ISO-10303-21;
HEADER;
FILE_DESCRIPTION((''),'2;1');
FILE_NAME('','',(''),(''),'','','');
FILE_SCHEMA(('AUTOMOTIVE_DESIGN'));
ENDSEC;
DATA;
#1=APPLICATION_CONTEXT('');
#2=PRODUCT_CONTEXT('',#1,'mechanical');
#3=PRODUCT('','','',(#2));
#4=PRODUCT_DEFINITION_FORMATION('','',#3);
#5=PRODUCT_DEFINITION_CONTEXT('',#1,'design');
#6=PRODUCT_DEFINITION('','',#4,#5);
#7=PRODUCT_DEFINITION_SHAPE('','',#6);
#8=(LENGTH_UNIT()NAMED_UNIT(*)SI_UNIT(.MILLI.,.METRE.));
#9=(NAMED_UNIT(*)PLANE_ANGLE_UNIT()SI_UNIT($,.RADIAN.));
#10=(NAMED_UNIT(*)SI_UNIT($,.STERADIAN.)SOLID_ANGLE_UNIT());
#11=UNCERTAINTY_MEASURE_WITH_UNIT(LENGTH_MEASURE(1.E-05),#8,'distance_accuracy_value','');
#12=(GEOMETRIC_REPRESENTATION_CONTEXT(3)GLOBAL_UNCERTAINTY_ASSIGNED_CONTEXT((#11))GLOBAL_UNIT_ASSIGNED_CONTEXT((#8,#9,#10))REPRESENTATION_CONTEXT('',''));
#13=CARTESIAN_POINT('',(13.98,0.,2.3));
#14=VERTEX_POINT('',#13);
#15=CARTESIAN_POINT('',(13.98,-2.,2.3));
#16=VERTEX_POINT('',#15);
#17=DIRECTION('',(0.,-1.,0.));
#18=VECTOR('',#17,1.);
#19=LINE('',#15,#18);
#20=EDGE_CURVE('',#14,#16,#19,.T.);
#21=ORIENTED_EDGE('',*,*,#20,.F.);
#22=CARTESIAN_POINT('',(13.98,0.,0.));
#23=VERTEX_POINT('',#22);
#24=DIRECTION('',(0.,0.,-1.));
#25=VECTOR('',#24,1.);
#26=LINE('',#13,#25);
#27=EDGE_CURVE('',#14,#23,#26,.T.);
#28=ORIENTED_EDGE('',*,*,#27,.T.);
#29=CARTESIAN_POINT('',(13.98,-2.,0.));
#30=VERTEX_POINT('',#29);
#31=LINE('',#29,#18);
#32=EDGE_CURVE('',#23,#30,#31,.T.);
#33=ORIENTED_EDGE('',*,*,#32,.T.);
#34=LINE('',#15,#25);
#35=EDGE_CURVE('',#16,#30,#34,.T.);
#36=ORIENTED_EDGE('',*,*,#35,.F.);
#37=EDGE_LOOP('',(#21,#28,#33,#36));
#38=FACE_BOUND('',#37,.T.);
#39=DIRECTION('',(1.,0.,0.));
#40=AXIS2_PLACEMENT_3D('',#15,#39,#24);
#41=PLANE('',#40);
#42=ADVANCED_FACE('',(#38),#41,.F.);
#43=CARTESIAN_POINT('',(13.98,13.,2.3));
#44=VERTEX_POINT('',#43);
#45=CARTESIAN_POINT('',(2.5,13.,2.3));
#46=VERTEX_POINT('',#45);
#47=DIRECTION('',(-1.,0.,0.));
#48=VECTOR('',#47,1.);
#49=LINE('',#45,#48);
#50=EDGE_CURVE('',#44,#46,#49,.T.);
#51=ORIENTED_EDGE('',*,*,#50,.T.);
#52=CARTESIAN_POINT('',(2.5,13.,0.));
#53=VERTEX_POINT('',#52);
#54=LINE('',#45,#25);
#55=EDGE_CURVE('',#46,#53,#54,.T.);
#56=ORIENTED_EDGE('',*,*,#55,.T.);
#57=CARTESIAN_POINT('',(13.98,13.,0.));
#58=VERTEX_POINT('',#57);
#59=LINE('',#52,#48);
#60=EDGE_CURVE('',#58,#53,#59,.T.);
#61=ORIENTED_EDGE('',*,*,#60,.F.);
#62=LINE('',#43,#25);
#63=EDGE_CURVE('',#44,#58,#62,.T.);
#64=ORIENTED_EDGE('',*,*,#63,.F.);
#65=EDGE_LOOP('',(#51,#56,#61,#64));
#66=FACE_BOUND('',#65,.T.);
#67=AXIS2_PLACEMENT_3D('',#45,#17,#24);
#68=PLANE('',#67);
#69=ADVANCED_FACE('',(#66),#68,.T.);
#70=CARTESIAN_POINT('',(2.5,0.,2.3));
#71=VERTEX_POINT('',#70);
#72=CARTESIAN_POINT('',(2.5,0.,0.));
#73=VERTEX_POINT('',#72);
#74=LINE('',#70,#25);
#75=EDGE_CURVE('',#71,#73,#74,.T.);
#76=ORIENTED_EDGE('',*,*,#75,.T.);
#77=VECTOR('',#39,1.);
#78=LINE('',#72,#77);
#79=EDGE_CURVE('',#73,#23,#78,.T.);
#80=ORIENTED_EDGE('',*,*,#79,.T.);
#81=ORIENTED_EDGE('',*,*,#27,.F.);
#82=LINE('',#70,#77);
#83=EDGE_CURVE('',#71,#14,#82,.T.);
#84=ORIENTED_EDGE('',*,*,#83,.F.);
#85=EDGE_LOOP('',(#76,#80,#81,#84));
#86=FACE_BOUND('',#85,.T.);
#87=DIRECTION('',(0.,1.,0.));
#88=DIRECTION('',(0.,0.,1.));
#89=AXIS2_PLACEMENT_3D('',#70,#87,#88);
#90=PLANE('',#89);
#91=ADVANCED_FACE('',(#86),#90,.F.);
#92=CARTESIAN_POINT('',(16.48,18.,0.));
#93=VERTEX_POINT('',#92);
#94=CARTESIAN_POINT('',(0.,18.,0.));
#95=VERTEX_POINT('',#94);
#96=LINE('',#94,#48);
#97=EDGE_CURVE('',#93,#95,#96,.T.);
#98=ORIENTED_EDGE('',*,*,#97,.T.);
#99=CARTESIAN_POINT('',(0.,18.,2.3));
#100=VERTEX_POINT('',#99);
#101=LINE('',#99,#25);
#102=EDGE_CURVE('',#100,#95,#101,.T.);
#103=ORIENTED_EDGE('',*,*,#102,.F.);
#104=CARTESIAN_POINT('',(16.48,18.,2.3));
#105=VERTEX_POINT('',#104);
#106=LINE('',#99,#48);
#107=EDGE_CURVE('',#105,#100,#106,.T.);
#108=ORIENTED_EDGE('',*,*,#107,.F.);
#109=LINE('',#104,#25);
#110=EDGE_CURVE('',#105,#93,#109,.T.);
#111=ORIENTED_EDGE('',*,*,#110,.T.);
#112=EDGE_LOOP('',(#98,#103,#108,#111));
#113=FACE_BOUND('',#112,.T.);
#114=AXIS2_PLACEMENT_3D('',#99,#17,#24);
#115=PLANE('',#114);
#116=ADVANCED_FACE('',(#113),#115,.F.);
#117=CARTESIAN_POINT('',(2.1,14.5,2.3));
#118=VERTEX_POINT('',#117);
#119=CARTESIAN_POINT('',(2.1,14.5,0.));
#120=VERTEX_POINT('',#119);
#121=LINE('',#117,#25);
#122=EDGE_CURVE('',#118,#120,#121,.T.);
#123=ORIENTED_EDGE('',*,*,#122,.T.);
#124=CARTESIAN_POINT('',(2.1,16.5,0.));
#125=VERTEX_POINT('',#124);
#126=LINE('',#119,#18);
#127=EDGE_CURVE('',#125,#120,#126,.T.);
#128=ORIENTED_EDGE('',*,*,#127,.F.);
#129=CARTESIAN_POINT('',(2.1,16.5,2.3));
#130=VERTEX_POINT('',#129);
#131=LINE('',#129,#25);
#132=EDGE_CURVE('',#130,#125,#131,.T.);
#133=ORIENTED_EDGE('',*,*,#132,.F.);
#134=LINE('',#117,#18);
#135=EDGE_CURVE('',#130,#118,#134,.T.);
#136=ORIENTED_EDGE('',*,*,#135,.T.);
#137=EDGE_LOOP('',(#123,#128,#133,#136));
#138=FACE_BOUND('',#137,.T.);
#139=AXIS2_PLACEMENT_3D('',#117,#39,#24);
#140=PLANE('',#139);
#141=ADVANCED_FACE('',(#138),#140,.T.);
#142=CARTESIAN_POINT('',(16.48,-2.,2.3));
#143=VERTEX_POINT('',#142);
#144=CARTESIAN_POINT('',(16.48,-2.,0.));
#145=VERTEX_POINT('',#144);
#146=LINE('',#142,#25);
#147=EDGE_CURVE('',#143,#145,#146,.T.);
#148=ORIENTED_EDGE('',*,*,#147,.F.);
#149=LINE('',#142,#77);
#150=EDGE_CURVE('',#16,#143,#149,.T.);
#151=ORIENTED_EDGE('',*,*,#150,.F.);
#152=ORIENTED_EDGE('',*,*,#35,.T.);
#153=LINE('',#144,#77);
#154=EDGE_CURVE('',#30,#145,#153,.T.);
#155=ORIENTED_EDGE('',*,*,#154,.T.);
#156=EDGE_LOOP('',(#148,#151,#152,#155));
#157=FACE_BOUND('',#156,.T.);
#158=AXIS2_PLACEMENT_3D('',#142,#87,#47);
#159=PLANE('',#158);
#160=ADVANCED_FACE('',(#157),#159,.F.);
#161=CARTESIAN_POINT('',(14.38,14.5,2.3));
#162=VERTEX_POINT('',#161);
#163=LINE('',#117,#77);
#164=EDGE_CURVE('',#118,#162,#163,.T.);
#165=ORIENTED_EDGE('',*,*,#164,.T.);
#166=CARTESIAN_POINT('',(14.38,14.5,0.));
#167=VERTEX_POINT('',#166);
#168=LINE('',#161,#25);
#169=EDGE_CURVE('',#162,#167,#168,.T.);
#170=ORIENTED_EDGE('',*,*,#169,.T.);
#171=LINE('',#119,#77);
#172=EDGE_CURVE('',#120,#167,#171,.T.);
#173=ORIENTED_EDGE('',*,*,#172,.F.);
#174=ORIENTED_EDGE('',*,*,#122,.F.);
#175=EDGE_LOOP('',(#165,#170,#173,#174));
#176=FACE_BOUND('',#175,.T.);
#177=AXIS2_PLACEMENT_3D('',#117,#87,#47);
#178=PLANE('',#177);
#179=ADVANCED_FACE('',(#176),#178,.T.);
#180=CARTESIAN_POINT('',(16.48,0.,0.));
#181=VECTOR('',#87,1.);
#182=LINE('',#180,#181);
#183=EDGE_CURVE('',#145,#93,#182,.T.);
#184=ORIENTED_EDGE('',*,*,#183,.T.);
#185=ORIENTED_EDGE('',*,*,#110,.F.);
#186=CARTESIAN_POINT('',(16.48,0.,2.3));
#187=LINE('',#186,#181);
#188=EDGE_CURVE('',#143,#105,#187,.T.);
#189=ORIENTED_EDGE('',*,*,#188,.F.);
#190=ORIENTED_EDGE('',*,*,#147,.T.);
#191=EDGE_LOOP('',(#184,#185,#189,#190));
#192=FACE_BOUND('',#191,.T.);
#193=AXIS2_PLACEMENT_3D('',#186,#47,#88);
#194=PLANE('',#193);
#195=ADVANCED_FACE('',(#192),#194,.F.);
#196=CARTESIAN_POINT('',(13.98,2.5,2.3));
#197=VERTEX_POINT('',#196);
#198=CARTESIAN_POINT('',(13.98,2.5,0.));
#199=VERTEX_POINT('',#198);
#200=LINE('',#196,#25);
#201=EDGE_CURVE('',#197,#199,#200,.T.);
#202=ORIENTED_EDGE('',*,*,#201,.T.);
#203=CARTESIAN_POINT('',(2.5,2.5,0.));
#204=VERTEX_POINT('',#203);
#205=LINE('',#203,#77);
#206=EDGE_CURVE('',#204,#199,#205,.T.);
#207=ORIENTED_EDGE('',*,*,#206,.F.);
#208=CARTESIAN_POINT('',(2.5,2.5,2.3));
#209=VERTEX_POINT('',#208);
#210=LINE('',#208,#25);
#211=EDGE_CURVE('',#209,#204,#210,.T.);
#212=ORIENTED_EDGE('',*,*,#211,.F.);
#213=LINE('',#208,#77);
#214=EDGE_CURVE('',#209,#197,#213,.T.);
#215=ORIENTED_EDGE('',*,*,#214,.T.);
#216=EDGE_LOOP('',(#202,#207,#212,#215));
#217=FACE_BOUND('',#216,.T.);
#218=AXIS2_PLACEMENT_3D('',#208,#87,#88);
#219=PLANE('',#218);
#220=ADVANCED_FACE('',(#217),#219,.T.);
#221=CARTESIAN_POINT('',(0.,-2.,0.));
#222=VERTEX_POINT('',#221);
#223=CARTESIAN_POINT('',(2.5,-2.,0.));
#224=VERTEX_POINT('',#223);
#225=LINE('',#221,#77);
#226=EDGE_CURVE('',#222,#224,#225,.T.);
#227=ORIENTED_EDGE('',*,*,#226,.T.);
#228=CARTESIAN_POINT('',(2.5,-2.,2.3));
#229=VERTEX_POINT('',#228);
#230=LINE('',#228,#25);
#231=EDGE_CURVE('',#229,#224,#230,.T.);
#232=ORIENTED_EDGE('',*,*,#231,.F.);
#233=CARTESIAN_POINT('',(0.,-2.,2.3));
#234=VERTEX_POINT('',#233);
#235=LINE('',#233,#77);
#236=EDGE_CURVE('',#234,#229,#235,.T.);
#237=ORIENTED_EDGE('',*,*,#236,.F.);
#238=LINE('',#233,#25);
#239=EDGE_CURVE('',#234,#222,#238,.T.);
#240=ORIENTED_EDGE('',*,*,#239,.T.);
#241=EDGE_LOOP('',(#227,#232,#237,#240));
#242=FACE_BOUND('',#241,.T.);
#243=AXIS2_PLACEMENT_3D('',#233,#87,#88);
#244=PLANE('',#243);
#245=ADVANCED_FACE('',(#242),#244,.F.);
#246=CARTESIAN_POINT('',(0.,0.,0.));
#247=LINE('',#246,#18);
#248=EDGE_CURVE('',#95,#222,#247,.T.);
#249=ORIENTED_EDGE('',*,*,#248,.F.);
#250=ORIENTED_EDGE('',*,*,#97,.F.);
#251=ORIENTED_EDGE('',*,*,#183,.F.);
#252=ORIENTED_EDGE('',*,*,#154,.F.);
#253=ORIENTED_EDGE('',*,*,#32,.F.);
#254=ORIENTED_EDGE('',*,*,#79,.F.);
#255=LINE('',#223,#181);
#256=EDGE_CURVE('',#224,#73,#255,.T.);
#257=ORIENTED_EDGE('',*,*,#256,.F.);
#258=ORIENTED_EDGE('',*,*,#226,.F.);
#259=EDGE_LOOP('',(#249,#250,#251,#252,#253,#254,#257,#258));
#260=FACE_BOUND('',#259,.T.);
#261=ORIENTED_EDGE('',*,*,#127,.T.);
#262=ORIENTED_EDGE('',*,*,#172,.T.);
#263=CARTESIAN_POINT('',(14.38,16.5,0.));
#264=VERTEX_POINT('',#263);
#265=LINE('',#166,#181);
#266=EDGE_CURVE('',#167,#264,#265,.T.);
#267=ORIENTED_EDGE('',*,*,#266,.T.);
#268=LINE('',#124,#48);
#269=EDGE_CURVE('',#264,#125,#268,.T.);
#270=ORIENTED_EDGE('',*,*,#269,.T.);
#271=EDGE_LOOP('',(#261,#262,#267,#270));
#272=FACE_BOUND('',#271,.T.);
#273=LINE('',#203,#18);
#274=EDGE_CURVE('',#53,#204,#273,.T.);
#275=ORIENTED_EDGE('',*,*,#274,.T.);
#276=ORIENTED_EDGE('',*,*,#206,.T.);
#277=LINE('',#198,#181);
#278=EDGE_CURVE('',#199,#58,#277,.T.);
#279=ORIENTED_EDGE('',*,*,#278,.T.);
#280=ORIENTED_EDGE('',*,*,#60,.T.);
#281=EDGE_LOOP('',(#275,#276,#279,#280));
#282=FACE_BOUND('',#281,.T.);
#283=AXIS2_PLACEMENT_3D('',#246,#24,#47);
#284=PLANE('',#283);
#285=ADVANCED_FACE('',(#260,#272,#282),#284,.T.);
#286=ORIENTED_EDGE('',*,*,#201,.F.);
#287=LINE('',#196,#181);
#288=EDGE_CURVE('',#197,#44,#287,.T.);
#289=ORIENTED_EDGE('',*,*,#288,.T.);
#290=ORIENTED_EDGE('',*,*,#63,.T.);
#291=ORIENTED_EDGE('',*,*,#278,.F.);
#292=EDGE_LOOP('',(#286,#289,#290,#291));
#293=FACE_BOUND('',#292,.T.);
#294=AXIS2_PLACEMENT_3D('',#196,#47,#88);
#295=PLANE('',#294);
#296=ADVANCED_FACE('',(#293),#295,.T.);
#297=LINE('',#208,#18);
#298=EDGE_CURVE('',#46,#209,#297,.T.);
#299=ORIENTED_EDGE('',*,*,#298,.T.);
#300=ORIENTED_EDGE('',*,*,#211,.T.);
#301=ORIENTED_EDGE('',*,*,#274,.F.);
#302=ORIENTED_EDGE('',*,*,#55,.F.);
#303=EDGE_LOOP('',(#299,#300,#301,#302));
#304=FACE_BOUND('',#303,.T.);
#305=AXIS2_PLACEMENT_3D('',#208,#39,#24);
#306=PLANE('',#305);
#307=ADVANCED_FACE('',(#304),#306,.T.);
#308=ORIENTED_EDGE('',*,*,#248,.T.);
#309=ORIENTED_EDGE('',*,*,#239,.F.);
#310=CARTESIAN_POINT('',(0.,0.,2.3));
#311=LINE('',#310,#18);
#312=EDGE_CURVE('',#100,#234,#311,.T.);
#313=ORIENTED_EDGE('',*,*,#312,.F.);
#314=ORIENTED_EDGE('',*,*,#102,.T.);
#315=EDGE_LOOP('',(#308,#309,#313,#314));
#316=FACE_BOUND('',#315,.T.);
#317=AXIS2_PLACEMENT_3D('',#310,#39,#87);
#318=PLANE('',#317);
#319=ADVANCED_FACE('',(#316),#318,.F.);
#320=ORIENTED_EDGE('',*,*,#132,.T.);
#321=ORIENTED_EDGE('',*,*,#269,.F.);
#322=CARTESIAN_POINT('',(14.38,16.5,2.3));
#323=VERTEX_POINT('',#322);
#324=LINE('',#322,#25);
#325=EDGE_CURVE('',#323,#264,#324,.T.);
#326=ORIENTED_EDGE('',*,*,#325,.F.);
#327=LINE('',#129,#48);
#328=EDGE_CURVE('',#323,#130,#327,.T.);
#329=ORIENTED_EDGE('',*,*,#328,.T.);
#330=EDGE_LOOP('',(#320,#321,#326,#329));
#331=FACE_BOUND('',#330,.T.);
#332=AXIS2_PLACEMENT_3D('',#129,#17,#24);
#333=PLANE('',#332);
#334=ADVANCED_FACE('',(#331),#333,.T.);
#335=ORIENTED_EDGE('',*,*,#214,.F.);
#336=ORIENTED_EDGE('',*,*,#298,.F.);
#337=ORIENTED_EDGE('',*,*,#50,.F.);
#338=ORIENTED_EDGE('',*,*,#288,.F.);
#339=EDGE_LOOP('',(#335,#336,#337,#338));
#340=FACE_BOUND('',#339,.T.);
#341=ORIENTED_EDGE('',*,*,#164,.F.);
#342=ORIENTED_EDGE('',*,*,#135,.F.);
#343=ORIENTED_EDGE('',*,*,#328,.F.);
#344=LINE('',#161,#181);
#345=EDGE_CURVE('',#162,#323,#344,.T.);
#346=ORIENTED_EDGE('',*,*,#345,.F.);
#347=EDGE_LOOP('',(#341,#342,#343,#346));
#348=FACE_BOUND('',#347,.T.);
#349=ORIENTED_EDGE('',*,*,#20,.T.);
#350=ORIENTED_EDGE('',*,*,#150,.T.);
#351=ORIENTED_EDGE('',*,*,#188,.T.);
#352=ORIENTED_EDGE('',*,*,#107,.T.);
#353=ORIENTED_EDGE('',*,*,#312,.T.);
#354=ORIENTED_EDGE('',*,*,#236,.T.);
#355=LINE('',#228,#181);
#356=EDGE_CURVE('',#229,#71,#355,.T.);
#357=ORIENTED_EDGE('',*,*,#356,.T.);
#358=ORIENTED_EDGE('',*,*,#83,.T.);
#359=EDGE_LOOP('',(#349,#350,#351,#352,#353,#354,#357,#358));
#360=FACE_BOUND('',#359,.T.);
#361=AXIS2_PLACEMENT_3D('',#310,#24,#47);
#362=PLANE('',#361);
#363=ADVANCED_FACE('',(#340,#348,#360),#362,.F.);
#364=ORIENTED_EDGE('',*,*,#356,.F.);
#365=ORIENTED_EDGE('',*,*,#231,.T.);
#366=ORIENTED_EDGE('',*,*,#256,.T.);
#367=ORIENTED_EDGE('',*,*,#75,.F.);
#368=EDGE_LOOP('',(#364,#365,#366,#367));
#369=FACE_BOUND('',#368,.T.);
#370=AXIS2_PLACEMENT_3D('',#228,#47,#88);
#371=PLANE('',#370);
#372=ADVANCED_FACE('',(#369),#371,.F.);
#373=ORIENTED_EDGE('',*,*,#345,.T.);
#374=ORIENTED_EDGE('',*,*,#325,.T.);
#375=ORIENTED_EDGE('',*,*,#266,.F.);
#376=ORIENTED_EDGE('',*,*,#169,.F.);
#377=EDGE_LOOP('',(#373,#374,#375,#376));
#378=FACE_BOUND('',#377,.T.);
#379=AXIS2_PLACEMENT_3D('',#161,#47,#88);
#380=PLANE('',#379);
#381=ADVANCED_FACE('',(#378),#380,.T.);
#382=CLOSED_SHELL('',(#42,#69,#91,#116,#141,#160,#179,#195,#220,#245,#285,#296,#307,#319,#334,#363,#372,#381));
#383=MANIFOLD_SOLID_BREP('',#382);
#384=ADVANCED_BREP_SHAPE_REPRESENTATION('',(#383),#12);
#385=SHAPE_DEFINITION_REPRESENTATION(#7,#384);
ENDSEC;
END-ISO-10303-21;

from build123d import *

# Parameters (mm, degrees)
SKETCH1_W           = 11.48
SKETCH1_H           = 10.5
SKETCH1_W_2         = 12.28
SKETCH1_H_2         = 2
BOSS_EXTRUDE1_DEPTH = 2.3


with BuildPart() as part:
    # Sketch1 → Boss-Extrude1 (new body)
    with BuildSketch(Plane.XY):
        Polygon((0, 0), (0, -2), (2.5, -2), (2.5, 0), (13.98, 0), (13.98, -2), (16.48, -2), (16.48, 0), (16.48, 18), (0, 18), align=None)
        with Locations((8.24, 7.75)):
            Rectangle(SKETCH1_W, SKETCH1_H, mode=Mode.SUBTRACT)
        with Locations((8.24, 15.5)):
            Rectangle(SKETCH1_W_2, SKETCH1_H_2, mode=Mode.SUBTRACT)
    extrude(amount=BOSS_EXTRUDE1_DEPTH)


solid = part.part
